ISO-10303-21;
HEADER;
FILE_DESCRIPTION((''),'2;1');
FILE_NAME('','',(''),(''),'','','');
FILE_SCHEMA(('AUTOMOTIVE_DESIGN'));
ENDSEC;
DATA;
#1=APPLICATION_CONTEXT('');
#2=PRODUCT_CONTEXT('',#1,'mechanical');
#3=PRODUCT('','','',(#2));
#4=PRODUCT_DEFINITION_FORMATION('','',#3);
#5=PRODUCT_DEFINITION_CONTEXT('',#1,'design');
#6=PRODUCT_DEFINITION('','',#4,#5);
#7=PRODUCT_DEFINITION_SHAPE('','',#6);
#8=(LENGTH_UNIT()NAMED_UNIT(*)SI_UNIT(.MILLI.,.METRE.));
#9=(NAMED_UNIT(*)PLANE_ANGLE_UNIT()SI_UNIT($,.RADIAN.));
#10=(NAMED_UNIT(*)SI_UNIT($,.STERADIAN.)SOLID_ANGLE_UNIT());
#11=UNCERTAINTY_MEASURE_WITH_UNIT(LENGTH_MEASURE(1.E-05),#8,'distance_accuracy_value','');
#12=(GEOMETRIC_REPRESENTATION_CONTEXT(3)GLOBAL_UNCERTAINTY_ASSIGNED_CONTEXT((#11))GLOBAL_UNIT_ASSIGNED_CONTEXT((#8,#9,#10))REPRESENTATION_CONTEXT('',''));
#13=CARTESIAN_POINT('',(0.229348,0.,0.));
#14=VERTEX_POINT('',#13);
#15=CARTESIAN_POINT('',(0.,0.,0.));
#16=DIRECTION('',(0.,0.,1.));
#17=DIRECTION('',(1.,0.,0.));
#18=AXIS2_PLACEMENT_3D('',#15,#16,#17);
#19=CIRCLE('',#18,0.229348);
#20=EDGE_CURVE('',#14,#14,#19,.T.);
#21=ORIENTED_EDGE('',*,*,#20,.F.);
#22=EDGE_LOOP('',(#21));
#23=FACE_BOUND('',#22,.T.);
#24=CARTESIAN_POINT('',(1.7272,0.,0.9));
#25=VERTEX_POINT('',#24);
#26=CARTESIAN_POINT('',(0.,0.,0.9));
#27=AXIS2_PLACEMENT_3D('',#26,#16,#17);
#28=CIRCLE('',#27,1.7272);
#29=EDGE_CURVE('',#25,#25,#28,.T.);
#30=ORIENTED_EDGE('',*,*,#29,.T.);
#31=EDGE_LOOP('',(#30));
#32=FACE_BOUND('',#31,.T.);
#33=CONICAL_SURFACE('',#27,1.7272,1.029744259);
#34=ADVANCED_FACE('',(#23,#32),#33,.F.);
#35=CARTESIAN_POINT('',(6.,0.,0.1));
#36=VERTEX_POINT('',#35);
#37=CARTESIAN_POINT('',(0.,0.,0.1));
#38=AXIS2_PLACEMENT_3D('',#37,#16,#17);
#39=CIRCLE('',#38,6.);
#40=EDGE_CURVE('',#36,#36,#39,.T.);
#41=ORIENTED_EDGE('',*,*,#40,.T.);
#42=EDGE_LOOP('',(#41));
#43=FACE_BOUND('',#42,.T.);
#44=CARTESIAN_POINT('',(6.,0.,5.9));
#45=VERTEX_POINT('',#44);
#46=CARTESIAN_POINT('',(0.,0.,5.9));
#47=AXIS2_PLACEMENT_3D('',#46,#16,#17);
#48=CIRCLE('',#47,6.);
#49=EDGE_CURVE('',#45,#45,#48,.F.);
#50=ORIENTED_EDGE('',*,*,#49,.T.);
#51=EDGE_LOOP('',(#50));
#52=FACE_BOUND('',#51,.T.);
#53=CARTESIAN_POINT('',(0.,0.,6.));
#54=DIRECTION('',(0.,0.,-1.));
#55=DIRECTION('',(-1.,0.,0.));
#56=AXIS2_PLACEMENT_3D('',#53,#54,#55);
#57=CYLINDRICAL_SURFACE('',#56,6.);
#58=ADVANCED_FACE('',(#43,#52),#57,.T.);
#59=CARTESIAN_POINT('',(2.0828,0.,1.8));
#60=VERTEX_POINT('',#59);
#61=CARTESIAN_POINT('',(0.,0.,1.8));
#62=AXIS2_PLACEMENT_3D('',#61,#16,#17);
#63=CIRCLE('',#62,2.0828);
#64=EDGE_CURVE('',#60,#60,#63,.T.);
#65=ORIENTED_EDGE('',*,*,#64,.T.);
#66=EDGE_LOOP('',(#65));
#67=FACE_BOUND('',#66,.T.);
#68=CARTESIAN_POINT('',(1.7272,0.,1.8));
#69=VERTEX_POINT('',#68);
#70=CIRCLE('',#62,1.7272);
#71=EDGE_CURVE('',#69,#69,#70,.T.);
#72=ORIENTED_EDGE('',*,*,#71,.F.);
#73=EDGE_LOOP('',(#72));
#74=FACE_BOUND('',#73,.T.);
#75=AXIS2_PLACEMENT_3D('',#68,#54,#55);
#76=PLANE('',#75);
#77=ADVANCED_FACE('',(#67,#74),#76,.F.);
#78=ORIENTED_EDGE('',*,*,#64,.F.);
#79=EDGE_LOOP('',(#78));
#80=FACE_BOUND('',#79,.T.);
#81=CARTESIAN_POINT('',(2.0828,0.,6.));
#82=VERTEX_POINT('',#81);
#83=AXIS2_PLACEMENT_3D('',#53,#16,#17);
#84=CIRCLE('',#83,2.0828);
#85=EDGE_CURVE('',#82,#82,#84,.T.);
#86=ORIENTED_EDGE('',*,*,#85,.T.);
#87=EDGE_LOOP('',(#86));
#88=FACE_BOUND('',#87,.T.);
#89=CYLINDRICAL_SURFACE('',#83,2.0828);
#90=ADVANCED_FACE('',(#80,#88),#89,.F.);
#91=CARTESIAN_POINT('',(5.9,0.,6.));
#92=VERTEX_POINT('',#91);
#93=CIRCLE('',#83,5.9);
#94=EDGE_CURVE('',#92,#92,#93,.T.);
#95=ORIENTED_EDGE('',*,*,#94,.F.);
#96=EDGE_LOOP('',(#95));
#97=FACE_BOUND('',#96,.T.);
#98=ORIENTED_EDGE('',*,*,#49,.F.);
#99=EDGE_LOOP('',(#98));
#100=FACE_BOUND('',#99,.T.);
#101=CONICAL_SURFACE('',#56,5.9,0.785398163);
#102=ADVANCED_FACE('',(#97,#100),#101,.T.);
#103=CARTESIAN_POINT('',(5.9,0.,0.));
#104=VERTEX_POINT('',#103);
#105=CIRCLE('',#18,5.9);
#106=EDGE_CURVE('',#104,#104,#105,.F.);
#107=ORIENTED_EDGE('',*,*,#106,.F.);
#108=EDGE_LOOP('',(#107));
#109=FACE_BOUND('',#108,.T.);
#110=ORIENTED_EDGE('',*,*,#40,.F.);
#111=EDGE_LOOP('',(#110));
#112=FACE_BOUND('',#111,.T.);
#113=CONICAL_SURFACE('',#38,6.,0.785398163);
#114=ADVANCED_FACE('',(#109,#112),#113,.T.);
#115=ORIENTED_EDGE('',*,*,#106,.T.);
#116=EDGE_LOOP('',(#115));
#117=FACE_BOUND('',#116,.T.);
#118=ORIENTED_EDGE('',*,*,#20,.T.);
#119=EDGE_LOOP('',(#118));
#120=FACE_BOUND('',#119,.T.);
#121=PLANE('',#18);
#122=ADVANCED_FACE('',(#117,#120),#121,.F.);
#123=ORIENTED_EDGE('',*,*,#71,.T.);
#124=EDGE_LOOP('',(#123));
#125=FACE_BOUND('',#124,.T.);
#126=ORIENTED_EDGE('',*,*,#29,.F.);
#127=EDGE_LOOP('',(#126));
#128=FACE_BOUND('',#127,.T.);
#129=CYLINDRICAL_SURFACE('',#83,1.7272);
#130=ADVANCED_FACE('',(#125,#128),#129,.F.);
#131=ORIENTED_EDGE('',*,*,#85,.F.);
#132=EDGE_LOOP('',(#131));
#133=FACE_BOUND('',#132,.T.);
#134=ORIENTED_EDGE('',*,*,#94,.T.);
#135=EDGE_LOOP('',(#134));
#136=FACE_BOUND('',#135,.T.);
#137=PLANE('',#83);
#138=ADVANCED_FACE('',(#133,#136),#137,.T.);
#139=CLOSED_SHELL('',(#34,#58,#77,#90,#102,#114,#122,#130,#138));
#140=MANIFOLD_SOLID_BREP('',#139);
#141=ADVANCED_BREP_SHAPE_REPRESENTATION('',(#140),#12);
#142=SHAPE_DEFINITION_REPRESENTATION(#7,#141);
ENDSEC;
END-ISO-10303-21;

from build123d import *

# Parameters (mm, degrees)
SKETCH1_R                       = 6
BOSS_EXTRUDE1_DEPTH             = 6
F_8_32_TAPPED_HOLE1_D           = 3.4544
F_8_32_TAPPED_HOLE1_DEPTH       = 5.1
F_8_32_TAPPED_HOLE1_CBORE_D     = 4.1656
F_8_32_TAPPED_HOLE1_CBORE_DEPTH = 4.2
F_8_32_TAPPED_HOLE1_TIP         = 1.037806461
CHAMFER1_SIZE                   = 0.1


with BuildPart() as part:
    # Sketch1 → Boss-Extrude1 (new body)
    with BuildSketch(Plane.XY):
        Circle(SKETCH1_R)
    extrude(amount=BOSS_EXTRUDE1_DEPTH)

    # #8-32 Tapped Hole1
    with Locations(Plane.XY.offset(6)):
        with Locations((0, 0)):
            CounterBoreHole(F_8_32_TAPPED_HOLE1_D / 2, F_8_32_TAPPED_HOLE1_CBORE_D / 2, F_8_32_TAPPED_HOLE1_CBORE_DEPTH, depth=F_8_32_TAPPED_HOLE1_DEPTH)
            with Locations((0, 0, -(F_8_32_TAPPED_HOLE1_DEPTH + F_8_32_TAPPED_HOLE1_TIP / 2))):  # 118° drill point
                Cone(0, F_8_32_TAPPED_HOLE1_D / 2, F_8_32_TAPPED_HOLE1_TIP, mode=Mode.SUBTRACT)

    # Chamfer1
    chamfer1_edges = [part.edges().sort_by_distance(p)[0] for p in [
        (-6, 0, 0),
        (-6, 0, 6),
    ]]
    chamfer(chamfer1_edges, length=CHAMFER1_SIZE)


solid = part.part
